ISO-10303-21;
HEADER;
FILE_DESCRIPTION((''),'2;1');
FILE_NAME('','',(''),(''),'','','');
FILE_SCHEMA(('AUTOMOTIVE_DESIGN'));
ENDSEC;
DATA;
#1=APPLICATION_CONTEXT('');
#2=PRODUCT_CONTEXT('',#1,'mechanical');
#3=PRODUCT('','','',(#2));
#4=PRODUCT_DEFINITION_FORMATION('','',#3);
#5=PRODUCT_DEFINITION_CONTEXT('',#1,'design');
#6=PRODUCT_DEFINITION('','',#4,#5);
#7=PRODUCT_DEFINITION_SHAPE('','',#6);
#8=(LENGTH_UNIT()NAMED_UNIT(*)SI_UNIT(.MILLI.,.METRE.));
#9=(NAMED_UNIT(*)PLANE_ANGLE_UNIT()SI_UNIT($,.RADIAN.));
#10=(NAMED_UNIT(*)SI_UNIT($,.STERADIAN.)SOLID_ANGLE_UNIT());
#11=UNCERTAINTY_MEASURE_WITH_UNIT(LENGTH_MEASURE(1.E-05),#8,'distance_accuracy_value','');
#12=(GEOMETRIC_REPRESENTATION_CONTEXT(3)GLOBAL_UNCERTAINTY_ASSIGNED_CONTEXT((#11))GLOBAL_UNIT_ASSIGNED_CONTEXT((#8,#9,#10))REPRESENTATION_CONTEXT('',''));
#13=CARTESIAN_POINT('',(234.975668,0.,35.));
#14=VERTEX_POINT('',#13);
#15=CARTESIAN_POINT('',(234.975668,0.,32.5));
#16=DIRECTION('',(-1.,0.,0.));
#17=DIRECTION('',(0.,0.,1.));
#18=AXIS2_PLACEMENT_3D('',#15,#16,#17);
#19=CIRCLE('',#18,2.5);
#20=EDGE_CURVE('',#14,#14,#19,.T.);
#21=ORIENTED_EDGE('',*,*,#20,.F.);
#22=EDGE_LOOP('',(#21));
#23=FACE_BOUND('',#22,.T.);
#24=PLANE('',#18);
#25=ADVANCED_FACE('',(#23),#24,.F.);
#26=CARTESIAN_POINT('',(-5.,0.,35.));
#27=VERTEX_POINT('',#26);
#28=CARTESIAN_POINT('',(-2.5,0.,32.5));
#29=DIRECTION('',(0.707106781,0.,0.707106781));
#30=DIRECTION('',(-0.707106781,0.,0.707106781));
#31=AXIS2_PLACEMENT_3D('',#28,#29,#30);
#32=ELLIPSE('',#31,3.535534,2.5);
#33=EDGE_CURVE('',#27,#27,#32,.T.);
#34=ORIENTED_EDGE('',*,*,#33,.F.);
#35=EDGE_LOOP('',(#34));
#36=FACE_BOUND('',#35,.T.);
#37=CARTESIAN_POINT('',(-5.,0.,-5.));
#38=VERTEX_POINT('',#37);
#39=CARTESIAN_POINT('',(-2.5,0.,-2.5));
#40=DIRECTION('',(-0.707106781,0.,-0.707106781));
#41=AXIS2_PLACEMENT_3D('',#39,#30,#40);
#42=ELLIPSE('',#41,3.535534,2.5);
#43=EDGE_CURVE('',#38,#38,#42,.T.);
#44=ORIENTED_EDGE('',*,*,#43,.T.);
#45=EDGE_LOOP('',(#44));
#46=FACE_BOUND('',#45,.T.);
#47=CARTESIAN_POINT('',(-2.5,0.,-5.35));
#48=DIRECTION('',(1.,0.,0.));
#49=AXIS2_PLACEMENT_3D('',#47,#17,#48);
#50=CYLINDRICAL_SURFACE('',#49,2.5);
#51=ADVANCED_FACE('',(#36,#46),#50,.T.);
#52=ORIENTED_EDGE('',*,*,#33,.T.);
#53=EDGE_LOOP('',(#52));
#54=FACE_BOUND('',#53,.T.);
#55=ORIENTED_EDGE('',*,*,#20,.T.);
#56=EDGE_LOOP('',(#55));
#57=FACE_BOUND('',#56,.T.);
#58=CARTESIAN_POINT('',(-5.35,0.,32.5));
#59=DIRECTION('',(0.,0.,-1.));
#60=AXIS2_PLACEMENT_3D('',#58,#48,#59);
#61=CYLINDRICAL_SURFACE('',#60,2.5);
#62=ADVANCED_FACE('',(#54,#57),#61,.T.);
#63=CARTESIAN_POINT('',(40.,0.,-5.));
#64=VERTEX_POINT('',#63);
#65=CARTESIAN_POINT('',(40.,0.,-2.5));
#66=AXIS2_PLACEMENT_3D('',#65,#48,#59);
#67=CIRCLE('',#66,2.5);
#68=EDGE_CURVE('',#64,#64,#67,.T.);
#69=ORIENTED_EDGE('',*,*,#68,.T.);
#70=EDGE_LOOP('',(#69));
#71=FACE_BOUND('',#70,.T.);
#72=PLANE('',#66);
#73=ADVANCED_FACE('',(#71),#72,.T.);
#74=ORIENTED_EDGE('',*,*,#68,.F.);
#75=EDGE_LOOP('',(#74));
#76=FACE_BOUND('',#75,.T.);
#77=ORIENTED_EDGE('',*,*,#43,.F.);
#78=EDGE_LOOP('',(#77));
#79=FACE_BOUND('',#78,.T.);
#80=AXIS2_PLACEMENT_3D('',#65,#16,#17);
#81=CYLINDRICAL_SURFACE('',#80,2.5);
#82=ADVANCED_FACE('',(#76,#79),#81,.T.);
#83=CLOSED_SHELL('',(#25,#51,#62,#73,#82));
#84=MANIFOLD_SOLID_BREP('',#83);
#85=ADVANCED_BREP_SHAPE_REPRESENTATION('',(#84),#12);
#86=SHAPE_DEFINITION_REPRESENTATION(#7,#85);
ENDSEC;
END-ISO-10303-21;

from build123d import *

# Parameters (mm, degrees)
SWEEP3_PROFILE_R = 2.5


with BuildPart() as part:
    # Sweep3: sweep along a path in Sketch1
    with BuildLine(Plane(origin=(0, 0, 0), x_dir=(1, 0, 0), z_dir=(0, 1, 0))) as sweep3_path:
        Line((40, 2.5), (-2.5, 2.5))
        Line((-2.5, 2.5), (-2.5, -32.5))
        Line((-2.5, -32.5), (234.975667779, -32.5))
    # Sweep3 profile (on start of the path) → Sweep3 (sweep)
    with BuildSketch(Plane(origin=(40, 0, -2.5), x_dir=(0, 0, -1), z_dir=(-1, 0, 0))):
        Circle(SWEEP3_PROFILE_R)
    sweep(path=sweep3_path.line, transition=Transition.RIGHT)


solid = part.part
